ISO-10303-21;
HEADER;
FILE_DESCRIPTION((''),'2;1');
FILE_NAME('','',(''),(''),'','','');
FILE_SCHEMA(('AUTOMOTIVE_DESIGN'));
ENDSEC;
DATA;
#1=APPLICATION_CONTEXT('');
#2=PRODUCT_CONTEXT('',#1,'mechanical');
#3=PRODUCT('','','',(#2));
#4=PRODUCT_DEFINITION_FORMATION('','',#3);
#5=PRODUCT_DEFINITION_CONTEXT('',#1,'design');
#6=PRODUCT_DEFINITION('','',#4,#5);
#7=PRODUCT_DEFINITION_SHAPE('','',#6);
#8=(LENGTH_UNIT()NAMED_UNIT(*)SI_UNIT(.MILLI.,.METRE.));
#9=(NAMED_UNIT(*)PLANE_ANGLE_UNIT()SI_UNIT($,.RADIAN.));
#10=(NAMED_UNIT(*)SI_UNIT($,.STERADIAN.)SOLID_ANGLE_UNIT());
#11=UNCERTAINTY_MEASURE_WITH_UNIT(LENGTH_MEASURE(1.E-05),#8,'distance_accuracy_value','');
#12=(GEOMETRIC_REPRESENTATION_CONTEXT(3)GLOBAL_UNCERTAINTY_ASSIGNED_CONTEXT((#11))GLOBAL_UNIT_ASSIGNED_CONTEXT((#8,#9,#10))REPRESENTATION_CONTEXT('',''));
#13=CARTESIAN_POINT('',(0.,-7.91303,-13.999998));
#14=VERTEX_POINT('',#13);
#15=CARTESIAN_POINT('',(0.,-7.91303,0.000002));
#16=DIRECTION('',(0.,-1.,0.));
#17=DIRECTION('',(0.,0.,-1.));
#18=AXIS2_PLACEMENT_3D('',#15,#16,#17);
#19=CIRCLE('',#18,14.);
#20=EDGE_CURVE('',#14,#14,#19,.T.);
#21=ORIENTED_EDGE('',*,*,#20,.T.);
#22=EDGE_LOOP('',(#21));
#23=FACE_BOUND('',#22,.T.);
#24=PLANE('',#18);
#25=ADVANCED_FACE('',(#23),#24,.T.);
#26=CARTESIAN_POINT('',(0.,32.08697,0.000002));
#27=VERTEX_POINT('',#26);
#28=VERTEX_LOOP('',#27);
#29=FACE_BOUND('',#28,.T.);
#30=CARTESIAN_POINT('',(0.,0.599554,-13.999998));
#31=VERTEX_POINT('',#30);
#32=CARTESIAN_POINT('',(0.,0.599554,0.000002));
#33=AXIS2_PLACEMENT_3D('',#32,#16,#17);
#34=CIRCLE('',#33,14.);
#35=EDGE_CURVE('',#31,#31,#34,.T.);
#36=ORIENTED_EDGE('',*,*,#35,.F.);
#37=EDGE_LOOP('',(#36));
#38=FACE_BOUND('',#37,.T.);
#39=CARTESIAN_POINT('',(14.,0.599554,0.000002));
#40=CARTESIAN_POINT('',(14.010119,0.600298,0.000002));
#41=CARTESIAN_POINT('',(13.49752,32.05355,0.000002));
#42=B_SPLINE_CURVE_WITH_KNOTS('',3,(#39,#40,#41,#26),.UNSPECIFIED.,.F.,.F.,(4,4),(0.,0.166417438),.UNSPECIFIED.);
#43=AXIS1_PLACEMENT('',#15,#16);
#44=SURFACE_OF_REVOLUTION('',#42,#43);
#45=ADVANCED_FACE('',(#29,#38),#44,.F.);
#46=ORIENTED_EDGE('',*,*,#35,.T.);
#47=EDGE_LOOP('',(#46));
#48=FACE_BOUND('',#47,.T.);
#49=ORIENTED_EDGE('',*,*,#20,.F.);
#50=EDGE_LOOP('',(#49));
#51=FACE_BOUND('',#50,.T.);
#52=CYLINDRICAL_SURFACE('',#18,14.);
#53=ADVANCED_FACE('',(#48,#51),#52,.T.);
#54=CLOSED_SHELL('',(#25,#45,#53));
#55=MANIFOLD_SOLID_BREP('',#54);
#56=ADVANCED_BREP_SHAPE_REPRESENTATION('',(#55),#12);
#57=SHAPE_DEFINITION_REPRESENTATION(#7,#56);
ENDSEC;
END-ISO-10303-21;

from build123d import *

# Parameters (mm, degrees)
SCALE2_SCALE = 2


with BuildPart() as part:
    # Sketch1 → Revolve1 (revolve)
    with BuildSketch(Plane.XY, mode=Mode.PRIVATE) as revolve1_sk:
        with BuildLine():
            Line((7, 4.256292026), (7, 0))
            Line((7, 0), (0, 0))
            Line((0, 0), (0, 20))
            add(Edge.make_bspline(
                [(0, 20), (6.748759859, 19.983290112), (7.005059619, 4.256663996), (7, 4.256292026)],
                knots=[0, 0, 0, 0, 0.166417438, 0.166417438, 0.166417438, 0.166417438], degree=3))
        make_face()
    revolve(revolve1_sk.sketch.rotate(Axis((0, 0, 0), (0, 1, 0)), 90), axis=Axis((0, 0, 0), (0, 1, 0)))


with BuildPart() as part_1:
    # Scale2: scaled about (0, 7.913014441, 0)
    add(part.part.scale(SCALE2_SCALE).moved(Location((0, -7.913014441, 0))))


solid = part_1.part
